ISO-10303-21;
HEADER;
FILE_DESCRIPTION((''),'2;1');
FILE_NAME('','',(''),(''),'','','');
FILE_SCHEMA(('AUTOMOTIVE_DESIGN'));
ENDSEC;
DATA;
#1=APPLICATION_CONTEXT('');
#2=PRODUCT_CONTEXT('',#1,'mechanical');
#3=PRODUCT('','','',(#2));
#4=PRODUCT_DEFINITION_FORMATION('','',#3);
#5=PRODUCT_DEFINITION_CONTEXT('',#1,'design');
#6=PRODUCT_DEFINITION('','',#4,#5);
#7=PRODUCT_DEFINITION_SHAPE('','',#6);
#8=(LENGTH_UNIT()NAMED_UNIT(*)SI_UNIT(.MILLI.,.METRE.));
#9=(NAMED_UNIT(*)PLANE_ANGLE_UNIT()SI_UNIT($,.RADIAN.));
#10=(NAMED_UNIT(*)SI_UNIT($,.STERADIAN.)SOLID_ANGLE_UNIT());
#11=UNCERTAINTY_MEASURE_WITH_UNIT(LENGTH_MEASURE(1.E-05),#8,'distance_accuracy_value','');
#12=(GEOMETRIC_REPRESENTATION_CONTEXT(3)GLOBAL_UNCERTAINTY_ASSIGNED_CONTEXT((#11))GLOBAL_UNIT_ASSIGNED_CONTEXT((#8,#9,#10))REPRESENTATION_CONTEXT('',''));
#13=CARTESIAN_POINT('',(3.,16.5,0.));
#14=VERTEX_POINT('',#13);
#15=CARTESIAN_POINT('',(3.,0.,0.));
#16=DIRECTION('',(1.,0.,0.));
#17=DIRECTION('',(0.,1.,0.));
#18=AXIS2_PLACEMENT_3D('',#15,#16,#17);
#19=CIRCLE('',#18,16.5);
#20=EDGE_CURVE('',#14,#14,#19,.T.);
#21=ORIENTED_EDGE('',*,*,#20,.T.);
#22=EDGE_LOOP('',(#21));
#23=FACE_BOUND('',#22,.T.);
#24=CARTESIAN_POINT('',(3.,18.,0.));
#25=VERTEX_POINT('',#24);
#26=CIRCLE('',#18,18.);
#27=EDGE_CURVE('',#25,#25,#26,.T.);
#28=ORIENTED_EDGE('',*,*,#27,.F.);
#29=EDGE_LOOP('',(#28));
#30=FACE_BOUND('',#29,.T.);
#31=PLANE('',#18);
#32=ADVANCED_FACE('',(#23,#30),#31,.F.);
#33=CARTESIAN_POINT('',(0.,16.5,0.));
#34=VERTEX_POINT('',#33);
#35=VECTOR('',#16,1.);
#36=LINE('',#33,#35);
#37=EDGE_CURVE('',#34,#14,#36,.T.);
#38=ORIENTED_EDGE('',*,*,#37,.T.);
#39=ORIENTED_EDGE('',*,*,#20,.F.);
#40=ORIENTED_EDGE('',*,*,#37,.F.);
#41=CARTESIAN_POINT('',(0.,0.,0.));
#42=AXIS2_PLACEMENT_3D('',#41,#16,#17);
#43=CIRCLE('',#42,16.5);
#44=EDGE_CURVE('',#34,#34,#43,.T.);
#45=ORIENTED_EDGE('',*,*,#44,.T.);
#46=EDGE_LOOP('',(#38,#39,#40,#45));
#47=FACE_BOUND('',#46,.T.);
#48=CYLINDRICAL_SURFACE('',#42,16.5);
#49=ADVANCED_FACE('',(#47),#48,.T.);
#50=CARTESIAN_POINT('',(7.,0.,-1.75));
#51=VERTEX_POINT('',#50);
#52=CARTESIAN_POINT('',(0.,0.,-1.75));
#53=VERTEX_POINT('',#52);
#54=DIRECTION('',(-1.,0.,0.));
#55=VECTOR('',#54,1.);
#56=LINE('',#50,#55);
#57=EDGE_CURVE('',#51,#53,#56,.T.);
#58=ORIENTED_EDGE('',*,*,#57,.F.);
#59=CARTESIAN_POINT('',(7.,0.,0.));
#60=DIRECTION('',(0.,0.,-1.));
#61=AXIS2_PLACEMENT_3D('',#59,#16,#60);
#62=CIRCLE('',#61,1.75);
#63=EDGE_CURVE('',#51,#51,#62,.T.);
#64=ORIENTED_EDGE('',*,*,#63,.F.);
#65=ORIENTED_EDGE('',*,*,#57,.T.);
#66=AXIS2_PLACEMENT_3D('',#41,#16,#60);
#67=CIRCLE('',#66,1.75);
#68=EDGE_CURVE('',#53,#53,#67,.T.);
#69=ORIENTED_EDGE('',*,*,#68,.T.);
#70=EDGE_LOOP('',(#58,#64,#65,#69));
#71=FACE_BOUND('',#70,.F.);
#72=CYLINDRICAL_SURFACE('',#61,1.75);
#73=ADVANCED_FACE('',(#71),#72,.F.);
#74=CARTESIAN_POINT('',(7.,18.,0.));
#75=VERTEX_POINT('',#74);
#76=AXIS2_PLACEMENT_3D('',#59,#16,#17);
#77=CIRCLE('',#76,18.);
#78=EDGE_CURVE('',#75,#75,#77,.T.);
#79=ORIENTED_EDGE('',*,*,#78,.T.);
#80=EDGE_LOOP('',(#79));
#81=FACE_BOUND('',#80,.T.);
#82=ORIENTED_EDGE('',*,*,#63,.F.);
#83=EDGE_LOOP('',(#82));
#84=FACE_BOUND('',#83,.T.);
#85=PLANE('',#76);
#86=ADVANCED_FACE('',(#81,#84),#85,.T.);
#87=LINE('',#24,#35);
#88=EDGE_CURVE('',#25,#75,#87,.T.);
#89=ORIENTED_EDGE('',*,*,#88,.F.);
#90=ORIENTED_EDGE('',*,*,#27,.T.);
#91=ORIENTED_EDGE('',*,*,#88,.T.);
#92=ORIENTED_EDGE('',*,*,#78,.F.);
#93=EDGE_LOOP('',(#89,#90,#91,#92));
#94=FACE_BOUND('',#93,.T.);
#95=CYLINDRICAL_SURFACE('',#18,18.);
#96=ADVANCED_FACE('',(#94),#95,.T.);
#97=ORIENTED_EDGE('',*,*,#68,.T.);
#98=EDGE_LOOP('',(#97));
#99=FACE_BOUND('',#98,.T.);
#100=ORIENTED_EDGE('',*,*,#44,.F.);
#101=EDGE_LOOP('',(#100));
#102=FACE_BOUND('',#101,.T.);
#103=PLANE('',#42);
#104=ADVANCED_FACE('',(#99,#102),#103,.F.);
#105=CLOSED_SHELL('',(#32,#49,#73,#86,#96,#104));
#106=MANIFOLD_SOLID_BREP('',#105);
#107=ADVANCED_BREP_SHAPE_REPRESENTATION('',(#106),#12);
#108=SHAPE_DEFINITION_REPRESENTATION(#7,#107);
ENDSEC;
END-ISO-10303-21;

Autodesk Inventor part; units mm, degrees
ref_plane "YZ Plane" through (0, 0, 0) normal (1, 0, 0) x (0, 1, 0)
ref_plane "XZ Plane" through (0, 0, 0) normal (0, 1, 0) x (-1, 0, 0)
ref_plane "XY Plane" through (0, 0, 0) normal (0, 0, 1) x (1, 0, 0)
sketch "Skizze1" plane through (0, 0, 0) normal (0, 0, 1) x (1, 0, 0)
  line L0 (0, 0) -> (33.3235, 0)
  line L1 (0, 0) -> (0, 16.5)
  line L2 (0, 16.5) -> (3, 16.5)
  line L3 (3, 16.5) -> (3, 18)
  line L4 (3, 18) -> (7, 18)
  line L5 (7, 18) -> (7, 0)
  dimension "d0" = 3
  dimension "d1" = 4
  dimension "d2" = 36
  dimension "d3" = 33
revolve "Umdrehung1" add sketch "Skizze1" angle 360 about axis through (0, 0, 0) along (1, 0, 0)
sketch "Skizze2" plane through (7, 0, 0) normal (1, 0, 0) x (0, 0, -1)
  circle A0 centre (0, 0) radius 1.75
  dimension "d5" = 3.5
extrude "Extrusion1" cut sketch "Skizze2" against normal up to surface (7 mm away)
properties part number "lid" material "Kupfer, Guss"
